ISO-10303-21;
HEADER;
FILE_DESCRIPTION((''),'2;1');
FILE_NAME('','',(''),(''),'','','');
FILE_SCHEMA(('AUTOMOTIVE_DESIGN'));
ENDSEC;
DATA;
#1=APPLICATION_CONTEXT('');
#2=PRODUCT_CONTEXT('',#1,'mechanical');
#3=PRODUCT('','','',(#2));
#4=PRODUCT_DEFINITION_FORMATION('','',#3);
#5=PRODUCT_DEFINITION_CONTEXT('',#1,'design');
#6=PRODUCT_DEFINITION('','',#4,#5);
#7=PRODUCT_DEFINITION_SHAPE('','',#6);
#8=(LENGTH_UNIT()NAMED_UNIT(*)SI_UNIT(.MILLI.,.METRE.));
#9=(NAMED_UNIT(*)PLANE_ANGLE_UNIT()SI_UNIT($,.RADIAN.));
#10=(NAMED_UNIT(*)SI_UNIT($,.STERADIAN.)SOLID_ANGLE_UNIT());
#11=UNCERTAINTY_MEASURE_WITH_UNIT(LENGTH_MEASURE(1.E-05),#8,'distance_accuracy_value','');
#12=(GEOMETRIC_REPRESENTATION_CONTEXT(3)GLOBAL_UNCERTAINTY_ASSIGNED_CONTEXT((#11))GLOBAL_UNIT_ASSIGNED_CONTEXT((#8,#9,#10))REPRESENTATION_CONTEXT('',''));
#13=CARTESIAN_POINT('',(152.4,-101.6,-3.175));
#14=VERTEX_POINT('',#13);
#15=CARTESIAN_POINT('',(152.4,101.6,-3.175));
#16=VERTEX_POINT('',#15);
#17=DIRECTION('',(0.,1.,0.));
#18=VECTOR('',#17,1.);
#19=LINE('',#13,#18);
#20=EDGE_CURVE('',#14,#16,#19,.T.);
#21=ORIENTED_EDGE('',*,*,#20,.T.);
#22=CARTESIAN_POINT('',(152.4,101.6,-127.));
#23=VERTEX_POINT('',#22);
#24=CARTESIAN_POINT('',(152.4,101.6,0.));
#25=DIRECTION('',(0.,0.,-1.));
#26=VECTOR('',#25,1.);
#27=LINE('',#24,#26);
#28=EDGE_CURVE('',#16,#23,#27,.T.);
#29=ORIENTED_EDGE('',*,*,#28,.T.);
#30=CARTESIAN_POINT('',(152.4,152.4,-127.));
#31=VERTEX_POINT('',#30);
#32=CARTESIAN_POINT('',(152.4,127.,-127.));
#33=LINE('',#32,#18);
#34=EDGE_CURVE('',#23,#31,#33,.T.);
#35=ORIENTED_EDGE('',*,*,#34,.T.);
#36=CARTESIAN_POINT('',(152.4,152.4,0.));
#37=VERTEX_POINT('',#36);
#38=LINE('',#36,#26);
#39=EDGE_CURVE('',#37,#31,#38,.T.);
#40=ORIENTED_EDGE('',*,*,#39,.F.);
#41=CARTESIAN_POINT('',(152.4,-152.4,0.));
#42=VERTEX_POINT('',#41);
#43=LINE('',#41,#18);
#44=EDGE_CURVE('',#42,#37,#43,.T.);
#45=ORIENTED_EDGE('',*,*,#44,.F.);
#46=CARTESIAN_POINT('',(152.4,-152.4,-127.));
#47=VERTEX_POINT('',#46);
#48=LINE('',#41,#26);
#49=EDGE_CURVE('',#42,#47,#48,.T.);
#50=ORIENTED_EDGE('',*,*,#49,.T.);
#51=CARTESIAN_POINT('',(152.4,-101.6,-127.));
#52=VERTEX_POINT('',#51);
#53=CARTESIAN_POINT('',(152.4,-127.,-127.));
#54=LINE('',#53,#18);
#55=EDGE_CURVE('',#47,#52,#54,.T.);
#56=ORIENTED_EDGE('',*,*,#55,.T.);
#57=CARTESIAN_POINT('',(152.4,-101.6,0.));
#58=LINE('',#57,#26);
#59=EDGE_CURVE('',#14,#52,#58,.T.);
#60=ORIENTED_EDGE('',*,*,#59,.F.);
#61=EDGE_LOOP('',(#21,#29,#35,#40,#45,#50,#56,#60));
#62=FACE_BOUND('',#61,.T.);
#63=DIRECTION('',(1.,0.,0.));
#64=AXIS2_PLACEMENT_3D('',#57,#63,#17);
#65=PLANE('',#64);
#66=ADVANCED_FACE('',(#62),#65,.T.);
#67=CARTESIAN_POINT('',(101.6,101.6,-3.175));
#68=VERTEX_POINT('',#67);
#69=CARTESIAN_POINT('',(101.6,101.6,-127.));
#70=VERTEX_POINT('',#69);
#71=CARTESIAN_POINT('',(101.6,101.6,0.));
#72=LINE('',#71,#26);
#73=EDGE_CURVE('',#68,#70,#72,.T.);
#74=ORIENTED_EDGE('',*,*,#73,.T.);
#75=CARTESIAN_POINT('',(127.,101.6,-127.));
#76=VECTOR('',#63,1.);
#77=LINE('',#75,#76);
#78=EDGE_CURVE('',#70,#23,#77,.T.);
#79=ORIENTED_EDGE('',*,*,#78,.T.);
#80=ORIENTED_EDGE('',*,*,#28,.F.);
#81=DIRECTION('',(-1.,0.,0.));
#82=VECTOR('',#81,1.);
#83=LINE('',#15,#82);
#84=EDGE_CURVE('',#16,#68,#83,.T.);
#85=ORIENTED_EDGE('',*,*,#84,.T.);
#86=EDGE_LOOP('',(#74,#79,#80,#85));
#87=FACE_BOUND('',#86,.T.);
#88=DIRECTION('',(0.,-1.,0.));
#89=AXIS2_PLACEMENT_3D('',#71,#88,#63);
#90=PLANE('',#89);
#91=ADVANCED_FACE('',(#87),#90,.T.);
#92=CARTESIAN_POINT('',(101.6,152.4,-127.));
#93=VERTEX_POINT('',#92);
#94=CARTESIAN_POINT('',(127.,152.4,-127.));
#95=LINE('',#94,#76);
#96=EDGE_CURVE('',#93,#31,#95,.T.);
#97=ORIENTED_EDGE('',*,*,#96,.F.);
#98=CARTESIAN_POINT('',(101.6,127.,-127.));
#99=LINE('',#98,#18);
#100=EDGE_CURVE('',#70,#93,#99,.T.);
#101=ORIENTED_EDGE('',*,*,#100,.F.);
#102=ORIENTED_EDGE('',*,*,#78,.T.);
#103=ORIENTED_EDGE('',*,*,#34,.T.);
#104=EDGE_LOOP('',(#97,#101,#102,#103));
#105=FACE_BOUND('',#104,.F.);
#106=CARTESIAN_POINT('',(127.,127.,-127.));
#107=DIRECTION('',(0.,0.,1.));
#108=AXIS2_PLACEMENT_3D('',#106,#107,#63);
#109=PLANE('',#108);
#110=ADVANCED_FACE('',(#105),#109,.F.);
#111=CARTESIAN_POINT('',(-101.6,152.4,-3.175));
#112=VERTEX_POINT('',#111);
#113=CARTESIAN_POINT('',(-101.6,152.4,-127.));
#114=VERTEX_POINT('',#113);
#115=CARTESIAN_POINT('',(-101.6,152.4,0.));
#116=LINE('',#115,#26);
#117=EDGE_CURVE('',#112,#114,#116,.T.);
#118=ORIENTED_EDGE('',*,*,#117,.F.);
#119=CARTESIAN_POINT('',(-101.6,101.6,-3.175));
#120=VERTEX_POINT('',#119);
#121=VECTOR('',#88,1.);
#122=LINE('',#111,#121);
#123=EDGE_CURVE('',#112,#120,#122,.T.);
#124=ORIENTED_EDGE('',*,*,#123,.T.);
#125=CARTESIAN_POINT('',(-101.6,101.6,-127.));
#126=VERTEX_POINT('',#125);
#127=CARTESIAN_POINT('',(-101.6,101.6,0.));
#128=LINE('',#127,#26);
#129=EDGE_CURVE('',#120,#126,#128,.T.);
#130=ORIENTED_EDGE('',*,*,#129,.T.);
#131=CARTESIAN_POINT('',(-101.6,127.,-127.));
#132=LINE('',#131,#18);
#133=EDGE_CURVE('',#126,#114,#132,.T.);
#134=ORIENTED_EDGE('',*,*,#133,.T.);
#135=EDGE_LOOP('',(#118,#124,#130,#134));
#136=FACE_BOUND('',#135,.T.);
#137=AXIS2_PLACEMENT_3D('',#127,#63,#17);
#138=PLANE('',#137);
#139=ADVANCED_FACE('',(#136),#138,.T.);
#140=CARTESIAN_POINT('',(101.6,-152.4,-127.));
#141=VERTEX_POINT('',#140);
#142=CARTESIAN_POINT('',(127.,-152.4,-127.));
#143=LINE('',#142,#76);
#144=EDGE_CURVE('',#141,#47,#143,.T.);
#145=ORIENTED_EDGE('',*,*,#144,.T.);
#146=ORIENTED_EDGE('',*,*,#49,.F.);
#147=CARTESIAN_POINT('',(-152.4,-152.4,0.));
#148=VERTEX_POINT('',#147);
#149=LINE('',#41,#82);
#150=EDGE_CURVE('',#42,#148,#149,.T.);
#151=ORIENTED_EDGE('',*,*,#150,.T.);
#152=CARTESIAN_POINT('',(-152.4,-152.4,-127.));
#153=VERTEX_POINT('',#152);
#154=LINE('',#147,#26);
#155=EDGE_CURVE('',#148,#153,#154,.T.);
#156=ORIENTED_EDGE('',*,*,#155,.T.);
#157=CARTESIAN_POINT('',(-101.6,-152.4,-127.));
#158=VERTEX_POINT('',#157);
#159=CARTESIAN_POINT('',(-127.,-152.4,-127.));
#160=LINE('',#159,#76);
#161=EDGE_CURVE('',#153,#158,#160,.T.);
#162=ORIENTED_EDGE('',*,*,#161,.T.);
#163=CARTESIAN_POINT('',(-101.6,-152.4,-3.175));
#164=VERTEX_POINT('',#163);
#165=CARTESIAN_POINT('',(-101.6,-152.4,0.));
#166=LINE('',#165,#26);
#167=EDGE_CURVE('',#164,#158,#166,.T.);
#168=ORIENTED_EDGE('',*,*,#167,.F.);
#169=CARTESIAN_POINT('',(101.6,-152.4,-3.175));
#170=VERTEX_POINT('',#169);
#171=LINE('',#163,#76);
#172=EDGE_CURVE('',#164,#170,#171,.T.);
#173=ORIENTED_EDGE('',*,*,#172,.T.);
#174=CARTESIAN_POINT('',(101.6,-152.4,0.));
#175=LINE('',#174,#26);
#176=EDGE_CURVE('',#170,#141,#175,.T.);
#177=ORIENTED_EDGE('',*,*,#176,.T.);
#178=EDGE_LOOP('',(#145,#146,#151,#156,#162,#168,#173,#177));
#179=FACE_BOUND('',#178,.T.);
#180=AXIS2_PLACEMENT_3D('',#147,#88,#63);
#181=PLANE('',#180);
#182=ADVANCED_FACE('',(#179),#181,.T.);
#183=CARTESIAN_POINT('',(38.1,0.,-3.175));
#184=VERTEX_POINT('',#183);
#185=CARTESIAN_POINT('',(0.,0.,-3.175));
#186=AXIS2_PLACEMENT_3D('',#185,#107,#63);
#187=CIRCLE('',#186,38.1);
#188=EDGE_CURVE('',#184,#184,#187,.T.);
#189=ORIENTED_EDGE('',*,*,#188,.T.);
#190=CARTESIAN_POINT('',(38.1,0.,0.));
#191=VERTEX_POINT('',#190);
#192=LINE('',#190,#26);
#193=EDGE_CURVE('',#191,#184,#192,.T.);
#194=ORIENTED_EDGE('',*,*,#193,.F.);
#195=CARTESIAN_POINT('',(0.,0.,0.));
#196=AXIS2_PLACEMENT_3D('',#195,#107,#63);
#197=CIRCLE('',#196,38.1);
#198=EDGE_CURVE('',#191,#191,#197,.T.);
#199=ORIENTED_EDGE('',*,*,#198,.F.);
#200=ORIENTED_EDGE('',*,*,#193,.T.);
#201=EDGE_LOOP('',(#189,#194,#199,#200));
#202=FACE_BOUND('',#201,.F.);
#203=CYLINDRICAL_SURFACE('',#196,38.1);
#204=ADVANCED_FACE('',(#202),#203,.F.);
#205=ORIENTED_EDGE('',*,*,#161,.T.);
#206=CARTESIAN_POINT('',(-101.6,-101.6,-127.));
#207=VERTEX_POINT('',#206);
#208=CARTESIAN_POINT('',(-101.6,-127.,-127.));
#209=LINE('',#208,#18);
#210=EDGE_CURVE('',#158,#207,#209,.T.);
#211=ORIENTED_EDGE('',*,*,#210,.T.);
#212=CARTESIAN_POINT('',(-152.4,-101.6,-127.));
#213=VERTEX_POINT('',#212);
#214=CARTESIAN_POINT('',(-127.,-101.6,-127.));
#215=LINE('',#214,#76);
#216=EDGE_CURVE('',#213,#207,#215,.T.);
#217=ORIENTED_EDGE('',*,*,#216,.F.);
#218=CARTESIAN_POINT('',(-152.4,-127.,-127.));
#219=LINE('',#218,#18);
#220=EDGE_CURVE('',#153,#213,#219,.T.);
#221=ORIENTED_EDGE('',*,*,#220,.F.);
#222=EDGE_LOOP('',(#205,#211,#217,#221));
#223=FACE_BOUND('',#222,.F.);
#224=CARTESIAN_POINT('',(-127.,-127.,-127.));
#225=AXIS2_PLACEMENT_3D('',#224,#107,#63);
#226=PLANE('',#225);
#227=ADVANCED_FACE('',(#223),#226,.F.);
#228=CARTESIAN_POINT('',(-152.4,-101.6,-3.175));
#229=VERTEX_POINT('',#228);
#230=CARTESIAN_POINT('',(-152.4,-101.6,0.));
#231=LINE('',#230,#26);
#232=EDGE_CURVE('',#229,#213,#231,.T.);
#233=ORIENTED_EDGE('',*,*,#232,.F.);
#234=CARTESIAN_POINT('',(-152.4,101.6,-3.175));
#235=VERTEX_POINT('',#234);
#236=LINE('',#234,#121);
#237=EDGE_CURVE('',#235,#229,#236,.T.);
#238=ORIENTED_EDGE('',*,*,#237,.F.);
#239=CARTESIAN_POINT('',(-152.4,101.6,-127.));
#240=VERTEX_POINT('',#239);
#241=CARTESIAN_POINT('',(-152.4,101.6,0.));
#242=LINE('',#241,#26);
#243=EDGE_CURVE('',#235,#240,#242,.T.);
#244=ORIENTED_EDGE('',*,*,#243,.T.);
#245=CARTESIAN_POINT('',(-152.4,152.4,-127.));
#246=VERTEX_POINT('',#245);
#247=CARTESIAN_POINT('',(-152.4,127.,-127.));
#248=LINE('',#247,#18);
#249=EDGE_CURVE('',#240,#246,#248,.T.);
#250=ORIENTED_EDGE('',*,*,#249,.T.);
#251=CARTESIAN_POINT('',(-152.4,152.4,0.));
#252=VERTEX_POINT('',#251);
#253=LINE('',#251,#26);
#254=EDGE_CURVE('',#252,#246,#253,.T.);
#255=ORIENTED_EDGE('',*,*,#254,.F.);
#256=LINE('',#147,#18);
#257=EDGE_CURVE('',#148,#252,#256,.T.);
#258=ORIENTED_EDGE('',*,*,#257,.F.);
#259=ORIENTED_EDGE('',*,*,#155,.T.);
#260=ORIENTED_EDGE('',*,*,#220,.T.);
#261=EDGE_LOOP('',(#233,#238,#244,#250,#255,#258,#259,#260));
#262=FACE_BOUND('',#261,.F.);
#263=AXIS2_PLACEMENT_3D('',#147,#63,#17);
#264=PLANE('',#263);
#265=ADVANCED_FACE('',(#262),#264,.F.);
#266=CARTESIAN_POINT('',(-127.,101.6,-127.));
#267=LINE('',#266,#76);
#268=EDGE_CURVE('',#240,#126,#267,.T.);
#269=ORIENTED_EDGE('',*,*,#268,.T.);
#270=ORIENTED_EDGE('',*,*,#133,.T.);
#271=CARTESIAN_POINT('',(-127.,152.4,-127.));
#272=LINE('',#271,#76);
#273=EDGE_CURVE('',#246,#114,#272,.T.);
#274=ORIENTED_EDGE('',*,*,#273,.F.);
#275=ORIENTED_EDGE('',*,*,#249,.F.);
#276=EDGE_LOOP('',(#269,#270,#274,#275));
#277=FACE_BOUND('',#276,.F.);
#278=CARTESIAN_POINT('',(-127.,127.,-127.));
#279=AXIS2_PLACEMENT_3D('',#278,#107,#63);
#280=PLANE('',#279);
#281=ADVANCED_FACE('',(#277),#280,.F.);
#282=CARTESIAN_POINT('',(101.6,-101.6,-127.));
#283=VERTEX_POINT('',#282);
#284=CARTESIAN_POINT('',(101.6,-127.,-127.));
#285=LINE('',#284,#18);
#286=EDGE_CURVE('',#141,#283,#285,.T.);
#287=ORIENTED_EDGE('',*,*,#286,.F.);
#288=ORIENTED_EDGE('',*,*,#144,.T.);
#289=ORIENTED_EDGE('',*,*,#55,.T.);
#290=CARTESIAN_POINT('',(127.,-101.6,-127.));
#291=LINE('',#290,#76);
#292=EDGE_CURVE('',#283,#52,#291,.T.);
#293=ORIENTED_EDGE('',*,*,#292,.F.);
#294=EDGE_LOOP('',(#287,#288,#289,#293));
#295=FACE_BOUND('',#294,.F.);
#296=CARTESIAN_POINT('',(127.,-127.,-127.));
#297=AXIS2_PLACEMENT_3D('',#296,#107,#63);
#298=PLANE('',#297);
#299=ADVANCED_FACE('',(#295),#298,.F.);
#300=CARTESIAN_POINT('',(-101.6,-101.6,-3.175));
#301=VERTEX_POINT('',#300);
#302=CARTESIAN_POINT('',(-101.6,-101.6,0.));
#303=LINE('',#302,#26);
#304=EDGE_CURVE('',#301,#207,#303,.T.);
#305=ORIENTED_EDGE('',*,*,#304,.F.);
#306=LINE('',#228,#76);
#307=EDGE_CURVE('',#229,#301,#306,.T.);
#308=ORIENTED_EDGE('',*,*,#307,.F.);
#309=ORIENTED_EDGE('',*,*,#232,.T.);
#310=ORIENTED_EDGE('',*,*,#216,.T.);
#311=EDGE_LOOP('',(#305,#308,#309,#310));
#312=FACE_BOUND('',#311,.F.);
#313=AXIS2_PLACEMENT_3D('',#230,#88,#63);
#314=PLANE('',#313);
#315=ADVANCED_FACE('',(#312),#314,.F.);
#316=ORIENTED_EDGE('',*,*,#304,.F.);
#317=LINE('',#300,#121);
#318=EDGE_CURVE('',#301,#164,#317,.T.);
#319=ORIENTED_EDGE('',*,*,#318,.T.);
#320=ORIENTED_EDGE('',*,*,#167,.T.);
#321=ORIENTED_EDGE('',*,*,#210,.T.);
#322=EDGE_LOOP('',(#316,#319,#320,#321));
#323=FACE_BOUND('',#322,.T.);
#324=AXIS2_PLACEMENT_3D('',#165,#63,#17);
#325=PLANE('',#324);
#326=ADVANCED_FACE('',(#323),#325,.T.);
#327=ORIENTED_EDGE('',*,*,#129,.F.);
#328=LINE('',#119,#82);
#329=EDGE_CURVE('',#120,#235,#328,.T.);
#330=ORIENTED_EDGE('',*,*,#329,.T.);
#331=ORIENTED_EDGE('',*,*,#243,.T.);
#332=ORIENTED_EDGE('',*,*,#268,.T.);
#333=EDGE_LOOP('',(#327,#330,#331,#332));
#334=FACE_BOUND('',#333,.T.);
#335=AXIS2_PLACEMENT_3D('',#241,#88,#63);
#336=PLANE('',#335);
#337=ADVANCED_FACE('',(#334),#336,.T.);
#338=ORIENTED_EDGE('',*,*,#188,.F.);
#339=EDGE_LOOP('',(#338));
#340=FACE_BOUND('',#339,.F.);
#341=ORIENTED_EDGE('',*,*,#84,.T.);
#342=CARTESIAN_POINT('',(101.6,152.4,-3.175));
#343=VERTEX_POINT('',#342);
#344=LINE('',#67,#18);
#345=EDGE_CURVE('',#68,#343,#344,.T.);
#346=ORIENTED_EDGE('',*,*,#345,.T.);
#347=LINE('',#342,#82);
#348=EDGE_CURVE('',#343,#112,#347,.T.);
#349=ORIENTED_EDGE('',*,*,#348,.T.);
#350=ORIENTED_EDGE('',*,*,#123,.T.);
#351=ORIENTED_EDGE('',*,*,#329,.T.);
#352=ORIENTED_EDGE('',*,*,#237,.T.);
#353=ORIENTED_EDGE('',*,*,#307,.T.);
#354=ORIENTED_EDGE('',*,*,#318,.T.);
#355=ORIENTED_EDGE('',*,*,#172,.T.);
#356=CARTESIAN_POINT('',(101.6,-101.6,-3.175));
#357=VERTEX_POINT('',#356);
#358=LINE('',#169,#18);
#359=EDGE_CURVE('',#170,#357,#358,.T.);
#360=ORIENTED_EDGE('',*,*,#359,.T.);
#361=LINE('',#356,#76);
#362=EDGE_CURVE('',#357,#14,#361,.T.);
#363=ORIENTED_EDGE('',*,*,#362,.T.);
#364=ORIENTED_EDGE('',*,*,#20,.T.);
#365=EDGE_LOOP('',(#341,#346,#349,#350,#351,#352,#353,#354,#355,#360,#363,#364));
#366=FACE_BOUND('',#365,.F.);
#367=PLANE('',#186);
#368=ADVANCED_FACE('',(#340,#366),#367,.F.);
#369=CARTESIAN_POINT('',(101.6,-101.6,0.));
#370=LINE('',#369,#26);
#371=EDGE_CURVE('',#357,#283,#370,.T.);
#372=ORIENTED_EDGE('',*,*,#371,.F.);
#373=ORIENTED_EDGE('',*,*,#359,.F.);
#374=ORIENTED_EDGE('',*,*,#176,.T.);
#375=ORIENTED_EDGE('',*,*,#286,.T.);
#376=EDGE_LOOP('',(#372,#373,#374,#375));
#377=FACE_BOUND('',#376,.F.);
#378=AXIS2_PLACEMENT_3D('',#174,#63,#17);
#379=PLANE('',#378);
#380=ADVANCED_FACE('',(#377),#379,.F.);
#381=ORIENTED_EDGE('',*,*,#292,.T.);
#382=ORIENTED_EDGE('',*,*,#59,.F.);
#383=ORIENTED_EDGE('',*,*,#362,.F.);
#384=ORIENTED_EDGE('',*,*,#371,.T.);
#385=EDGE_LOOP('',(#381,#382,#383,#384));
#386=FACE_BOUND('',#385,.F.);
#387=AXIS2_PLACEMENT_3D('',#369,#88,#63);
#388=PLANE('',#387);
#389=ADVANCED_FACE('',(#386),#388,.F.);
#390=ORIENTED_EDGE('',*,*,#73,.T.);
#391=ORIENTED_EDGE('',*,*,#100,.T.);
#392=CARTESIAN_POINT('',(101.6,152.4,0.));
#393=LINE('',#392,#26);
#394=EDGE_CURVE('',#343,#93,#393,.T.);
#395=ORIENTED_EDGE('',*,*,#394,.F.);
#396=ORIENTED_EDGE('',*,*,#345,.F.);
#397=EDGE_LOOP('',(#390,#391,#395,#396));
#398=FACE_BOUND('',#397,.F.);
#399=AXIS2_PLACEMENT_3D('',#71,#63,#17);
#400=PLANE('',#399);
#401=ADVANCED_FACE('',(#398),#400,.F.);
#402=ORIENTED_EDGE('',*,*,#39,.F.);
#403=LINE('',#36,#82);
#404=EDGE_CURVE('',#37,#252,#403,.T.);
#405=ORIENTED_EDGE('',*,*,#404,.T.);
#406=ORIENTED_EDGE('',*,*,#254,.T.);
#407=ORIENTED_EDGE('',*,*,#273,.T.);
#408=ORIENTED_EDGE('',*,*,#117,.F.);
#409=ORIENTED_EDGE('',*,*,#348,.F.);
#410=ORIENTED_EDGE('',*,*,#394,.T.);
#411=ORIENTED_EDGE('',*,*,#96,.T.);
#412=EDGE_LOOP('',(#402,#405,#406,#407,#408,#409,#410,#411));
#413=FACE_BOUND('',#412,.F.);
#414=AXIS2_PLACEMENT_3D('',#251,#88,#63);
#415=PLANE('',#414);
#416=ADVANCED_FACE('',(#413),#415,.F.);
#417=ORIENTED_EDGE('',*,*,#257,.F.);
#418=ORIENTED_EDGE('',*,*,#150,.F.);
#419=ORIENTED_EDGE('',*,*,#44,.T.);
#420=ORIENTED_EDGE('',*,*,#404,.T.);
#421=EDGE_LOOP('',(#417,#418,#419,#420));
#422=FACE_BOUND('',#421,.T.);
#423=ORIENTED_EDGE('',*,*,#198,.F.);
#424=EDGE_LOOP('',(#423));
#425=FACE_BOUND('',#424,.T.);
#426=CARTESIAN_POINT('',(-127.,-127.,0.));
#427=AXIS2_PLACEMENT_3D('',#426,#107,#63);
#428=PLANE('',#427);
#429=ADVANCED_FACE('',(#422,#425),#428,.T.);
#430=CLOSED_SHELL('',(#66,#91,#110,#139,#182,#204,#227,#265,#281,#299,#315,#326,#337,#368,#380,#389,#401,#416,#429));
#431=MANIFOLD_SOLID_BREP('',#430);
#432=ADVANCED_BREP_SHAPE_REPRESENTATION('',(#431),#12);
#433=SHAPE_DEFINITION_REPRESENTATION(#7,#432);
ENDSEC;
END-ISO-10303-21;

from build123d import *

# Parameters (mm, degrees)
F0_R     = 38.1
F1_DEPTH = 3.175
F0_W     = 50.8
F0_H     = 50.8
F2_DEPTH = 127


with BuildPart() as f1:
    # F0 (on Top) → F1 (new body)
    with BuildSketch(Plane.XY):
        Polygon((-101.6, -152.4), (101.6, -152.4), (101.6, -101.6), (152.4, -101.6), (152.4, 101.6), (101.6, 101.6), (101.6, 152.4), (-101.6, 152.4), (-101.6, 101.6), (-152.4, 101.6), (-152.4, -101.6), (-101.6, -101.6), align=None)
        Circle(F0_R, mode=Mode.SUBTRACT)
    extrude(amount=-F1_DEPTH)

    # F0 (on Top) → F2 (join)
    with BuildSketch(Plane.XY):
        with Locations((-127, -127)):
            Rectangle(F0_W, F0_H)
        with Locations((-127, 127)):
            Rectangle(F0_W, F0_H)
        with Locations((127, 127)):
            Rectangle(F0_W, F0_H)
        with Locations((127, -127)):
            Rectangle(F0_W, F0_H)
    extrude(amount=-F2_DEPTH)


solid = f1.part
